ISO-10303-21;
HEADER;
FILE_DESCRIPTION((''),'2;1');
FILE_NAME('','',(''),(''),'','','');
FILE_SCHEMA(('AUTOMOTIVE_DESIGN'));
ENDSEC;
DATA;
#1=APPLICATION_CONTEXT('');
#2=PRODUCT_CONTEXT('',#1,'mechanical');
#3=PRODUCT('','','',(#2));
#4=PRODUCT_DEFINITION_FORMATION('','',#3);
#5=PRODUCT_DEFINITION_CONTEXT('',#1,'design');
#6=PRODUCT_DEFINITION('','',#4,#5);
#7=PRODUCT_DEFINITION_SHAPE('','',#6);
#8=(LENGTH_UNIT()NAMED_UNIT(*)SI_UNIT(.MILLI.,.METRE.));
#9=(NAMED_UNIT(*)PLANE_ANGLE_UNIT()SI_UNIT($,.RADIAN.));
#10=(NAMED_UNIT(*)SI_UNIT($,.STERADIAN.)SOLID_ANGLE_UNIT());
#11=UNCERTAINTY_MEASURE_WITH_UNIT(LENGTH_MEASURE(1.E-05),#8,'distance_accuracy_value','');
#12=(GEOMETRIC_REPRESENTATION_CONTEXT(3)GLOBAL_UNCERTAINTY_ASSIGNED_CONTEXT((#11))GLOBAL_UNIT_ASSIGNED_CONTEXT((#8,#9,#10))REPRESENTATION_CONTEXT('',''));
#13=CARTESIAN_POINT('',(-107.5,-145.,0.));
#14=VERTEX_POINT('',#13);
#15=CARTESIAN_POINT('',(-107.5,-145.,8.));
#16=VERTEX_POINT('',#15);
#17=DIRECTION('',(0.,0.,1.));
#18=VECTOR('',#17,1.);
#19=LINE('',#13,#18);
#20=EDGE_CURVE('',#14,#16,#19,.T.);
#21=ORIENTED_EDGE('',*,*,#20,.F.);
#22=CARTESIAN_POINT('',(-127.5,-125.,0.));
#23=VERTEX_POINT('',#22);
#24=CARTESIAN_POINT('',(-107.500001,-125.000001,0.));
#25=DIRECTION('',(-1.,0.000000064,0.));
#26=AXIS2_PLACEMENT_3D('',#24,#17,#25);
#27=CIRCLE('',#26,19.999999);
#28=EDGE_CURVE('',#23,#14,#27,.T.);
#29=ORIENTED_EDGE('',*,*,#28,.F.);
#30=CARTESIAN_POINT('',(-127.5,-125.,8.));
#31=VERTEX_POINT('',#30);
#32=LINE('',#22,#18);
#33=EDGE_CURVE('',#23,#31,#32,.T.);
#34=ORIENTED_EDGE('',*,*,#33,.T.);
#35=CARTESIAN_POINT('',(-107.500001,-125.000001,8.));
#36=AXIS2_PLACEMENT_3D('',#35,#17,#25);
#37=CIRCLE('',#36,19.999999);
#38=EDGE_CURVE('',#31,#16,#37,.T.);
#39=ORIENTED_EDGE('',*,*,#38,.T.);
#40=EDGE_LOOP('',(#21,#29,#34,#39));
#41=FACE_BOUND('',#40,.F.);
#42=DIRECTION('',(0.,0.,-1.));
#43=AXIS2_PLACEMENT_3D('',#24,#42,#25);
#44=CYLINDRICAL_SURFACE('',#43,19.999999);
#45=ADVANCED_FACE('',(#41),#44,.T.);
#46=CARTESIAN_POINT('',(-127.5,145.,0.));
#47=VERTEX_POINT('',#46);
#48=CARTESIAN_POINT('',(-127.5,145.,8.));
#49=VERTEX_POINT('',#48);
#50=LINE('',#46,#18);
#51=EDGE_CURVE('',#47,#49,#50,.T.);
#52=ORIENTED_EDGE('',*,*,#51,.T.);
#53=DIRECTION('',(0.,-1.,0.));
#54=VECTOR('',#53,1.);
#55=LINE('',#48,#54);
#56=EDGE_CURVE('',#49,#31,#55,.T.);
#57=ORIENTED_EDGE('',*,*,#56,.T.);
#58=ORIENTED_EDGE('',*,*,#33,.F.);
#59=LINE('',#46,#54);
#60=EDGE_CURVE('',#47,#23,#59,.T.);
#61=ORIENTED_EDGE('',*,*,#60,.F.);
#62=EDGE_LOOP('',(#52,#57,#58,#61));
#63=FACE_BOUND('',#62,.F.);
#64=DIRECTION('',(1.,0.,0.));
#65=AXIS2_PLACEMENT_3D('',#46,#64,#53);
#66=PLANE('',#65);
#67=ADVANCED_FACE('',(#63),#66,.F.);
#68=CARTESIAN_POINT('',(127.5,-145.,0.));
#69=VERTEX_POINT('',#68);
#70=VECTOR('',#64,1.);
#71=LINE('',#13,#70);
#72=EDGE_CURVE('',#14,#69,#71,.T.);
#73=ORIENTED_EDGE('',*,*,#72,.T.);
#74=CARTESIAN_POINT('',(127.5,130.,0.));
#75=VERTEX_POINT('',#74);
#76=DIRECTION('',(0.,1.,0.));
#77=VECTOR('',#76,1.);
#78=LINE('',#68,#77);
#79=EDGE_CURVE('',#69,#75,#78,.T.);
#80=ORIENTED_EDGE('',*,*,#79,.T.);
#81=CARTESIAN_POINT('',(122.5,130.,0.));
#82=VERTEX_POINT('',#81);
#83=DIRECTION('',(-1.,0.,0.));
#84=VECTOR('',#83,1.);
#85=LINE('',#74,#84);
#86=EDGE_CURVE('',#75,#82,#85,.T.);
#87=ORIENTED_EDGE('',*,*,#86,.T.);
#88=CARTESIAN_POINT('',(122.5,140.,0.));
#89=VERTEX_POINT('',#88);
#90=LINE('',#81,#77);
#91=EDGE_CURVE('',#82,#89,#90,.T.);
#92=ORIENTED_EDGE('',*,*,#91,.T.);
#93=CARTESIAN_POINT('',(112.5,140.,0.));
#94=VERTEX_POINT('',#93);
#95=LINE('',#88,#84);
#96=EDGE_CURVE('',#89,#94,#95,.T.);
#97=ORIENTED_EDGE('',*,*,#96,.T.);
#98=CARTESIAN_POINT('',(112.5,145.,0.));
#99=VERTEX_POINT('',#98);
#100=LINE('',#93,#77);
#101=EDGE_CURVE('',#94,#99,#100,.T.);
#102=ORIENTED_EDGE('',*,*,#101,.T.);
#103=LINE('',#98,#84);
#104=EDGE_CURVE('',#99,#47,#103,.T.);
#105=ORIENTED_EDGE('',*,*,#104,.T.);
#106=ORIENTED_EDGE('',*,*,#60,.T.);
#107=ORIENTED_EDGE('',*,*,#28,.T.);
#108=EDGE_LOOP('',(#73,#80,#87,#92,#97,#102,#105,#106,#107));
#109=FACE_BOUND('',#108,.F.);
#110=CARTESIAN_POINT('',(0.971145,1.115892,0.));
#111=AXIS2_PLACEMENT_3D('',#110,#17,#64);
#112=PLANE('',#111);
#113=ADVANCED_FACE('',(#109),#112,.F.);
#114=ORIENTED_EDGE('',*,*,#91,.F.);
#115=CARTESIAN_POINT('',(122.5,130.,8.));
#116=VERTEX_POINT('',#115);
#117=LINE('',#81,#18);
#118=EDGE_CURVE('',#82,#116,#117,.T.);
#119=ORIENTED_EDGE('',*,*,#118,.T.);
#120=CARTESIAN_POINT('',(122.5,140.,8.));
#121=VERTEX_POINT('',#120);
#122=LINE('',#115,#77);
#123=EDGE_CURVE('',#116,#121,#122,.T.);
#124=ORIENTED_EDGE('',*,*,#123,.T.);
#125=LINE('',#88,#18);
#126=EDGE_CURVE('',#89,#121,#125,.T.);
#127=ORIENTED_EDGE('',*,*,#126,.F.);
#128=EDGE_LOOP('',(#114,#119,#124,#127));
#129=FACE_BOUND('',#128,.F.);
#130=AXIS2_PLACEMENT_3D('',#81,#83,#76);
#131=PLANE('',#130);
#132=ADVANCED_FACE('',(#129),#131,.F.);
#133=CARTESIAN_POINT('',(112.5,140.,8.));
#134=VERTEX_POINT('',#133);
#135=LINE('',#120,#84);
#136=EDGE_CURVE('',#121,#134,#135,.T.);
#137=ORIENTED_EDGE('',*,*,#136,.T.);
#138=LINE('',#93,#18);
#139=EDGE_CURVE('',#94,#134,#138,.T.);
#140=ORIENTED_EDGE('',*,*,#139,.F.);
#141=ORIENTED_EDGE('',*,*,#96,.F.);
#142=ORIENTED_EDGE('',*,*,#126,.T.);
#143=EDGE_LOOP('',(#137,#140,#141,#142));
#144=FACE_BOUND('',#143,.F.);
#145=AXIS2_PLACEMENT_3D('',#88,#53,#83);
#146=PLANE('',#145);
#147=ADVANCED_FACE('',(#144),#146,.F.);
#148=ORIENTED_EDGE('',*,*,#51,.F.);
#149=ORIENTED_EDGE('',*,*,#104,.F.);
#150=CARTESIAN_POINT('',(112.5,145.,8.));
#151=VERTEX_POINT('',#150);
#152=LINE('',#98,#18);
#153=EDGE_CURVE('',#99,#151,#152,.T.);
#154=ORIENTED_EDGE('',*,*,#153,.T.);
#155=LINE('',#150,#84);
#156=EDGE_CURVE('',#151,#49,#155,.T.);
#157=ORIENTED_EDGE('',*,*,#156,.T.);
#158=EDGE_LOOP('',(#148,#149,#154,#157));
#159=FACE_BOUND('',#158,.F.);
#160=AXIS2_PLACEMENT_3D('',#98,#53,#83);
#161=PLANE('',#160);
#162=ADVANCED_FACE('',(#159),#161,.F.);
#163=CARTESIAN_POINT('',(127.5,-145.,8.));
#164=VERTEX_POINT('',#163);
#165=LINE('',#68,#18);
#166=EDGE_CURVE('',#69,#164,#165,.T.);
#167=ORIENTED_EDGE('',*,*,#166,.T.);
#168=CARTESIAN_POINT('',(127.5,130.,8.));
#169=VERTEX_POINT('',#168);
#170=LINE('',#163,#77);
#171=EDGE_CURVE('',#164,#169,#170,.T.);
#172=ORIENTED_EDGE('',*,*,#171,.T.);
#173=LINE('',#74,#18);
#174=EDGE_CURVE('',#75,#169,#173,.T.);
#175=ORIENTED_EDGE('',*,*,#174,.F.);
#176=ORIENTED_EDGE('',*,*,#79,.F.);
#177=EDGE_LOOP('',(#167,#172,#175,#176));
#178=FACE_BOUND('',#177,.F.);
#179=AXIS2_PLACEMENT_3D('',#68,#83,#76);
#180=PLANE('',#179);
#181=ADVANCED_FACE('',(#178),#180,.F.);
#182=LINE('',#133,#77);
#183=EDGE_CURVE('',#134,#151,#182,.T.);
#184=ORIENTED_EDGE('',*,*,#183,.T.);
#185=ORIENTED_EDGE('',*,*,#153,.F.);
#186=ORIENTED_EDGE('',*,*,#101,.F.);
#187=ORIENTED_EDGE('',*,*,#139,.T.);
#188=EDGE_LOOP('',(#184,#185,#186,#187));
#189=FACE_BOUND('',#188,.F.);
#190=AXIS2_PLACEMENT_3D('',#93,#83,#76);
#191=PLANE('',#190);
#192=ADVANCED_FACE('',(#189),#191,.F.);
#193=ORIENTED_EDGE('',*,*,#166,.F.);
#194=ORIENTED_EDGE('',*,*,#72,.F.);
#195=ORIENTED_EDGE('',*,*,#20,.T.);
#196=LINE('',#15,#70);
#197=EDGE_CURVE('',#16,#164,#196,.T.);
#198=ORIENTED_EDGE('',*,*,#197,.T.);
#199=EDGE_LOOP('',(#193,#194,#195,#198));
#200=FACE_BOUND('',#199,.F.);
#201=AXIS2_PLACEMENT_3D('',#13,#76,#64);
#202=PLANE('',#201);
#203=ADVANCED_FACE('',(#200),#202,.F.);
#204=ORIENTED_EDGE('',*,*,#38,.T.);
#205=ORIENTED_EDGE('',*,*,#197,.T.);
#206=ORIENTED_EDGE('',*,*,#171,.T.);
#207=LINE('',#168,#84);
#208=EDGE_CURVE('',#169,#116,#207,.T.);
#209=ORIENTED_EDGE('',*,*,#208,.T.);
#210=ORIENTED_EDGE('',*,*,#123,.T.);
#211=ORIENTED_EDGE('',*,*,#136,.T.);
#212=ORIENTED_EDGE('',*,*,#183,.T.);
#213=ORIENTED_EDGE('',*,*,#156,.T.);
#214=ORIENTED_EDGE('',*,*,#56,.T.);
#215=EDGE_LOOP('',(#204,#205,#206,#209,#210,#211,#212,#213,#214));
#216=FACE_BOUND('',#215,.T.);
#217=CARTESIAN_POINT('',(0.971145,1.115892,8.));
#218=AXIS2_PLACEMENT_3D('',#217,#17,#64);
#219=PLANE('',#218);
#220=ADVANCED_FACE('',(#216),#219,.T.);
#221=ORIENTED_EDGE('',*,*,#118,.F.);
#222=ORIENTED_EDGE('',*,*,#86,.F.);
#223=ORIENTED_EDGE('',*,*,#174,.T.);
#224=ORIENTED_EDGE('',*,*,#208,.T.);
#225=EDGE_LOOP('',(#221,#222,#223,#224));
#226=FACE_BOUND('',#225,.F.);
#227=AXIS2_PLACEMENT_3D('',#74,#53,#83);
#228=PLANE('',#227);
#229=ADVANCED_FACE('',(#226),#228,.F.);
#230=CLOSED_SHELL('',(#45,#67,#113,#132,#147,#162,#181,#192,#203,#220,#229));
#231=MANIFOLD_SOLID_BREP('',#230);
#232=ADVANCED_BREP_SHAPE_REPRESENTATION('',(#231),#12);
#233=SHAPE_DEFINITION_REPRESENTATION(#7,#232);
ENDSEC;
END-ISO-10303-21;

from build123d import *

# Parameters (mm, degrees)
F1_DEPTH = 8


with BuildPart() as f1:
    # F0 (on Top) → F1 (new body)
    with BuildSketch(Plane.XY):
        with BuildLine():
            Line((112.5, 140), (112.5, 145))
            Line((112.5, 145), (-127.5, 145))
            Line((-127.5, 145), (-127.5, -125))
            ThreePointArc((-127.5, -125), (-121.642136, -139.142136), (-107.5, -145))
            Line((-107.5, -145), (127.5, -145))
            Line((127.5, -145), (127.5, 130))
            Line((127.5, 130), (122.5, 130))
            Line((122.5, 130), (122.5, 140))
            Line((122.5, 140), (112.5, 140))
        make_face()
    extrude(amount=F1_DEPTH)


solid = f1.part
